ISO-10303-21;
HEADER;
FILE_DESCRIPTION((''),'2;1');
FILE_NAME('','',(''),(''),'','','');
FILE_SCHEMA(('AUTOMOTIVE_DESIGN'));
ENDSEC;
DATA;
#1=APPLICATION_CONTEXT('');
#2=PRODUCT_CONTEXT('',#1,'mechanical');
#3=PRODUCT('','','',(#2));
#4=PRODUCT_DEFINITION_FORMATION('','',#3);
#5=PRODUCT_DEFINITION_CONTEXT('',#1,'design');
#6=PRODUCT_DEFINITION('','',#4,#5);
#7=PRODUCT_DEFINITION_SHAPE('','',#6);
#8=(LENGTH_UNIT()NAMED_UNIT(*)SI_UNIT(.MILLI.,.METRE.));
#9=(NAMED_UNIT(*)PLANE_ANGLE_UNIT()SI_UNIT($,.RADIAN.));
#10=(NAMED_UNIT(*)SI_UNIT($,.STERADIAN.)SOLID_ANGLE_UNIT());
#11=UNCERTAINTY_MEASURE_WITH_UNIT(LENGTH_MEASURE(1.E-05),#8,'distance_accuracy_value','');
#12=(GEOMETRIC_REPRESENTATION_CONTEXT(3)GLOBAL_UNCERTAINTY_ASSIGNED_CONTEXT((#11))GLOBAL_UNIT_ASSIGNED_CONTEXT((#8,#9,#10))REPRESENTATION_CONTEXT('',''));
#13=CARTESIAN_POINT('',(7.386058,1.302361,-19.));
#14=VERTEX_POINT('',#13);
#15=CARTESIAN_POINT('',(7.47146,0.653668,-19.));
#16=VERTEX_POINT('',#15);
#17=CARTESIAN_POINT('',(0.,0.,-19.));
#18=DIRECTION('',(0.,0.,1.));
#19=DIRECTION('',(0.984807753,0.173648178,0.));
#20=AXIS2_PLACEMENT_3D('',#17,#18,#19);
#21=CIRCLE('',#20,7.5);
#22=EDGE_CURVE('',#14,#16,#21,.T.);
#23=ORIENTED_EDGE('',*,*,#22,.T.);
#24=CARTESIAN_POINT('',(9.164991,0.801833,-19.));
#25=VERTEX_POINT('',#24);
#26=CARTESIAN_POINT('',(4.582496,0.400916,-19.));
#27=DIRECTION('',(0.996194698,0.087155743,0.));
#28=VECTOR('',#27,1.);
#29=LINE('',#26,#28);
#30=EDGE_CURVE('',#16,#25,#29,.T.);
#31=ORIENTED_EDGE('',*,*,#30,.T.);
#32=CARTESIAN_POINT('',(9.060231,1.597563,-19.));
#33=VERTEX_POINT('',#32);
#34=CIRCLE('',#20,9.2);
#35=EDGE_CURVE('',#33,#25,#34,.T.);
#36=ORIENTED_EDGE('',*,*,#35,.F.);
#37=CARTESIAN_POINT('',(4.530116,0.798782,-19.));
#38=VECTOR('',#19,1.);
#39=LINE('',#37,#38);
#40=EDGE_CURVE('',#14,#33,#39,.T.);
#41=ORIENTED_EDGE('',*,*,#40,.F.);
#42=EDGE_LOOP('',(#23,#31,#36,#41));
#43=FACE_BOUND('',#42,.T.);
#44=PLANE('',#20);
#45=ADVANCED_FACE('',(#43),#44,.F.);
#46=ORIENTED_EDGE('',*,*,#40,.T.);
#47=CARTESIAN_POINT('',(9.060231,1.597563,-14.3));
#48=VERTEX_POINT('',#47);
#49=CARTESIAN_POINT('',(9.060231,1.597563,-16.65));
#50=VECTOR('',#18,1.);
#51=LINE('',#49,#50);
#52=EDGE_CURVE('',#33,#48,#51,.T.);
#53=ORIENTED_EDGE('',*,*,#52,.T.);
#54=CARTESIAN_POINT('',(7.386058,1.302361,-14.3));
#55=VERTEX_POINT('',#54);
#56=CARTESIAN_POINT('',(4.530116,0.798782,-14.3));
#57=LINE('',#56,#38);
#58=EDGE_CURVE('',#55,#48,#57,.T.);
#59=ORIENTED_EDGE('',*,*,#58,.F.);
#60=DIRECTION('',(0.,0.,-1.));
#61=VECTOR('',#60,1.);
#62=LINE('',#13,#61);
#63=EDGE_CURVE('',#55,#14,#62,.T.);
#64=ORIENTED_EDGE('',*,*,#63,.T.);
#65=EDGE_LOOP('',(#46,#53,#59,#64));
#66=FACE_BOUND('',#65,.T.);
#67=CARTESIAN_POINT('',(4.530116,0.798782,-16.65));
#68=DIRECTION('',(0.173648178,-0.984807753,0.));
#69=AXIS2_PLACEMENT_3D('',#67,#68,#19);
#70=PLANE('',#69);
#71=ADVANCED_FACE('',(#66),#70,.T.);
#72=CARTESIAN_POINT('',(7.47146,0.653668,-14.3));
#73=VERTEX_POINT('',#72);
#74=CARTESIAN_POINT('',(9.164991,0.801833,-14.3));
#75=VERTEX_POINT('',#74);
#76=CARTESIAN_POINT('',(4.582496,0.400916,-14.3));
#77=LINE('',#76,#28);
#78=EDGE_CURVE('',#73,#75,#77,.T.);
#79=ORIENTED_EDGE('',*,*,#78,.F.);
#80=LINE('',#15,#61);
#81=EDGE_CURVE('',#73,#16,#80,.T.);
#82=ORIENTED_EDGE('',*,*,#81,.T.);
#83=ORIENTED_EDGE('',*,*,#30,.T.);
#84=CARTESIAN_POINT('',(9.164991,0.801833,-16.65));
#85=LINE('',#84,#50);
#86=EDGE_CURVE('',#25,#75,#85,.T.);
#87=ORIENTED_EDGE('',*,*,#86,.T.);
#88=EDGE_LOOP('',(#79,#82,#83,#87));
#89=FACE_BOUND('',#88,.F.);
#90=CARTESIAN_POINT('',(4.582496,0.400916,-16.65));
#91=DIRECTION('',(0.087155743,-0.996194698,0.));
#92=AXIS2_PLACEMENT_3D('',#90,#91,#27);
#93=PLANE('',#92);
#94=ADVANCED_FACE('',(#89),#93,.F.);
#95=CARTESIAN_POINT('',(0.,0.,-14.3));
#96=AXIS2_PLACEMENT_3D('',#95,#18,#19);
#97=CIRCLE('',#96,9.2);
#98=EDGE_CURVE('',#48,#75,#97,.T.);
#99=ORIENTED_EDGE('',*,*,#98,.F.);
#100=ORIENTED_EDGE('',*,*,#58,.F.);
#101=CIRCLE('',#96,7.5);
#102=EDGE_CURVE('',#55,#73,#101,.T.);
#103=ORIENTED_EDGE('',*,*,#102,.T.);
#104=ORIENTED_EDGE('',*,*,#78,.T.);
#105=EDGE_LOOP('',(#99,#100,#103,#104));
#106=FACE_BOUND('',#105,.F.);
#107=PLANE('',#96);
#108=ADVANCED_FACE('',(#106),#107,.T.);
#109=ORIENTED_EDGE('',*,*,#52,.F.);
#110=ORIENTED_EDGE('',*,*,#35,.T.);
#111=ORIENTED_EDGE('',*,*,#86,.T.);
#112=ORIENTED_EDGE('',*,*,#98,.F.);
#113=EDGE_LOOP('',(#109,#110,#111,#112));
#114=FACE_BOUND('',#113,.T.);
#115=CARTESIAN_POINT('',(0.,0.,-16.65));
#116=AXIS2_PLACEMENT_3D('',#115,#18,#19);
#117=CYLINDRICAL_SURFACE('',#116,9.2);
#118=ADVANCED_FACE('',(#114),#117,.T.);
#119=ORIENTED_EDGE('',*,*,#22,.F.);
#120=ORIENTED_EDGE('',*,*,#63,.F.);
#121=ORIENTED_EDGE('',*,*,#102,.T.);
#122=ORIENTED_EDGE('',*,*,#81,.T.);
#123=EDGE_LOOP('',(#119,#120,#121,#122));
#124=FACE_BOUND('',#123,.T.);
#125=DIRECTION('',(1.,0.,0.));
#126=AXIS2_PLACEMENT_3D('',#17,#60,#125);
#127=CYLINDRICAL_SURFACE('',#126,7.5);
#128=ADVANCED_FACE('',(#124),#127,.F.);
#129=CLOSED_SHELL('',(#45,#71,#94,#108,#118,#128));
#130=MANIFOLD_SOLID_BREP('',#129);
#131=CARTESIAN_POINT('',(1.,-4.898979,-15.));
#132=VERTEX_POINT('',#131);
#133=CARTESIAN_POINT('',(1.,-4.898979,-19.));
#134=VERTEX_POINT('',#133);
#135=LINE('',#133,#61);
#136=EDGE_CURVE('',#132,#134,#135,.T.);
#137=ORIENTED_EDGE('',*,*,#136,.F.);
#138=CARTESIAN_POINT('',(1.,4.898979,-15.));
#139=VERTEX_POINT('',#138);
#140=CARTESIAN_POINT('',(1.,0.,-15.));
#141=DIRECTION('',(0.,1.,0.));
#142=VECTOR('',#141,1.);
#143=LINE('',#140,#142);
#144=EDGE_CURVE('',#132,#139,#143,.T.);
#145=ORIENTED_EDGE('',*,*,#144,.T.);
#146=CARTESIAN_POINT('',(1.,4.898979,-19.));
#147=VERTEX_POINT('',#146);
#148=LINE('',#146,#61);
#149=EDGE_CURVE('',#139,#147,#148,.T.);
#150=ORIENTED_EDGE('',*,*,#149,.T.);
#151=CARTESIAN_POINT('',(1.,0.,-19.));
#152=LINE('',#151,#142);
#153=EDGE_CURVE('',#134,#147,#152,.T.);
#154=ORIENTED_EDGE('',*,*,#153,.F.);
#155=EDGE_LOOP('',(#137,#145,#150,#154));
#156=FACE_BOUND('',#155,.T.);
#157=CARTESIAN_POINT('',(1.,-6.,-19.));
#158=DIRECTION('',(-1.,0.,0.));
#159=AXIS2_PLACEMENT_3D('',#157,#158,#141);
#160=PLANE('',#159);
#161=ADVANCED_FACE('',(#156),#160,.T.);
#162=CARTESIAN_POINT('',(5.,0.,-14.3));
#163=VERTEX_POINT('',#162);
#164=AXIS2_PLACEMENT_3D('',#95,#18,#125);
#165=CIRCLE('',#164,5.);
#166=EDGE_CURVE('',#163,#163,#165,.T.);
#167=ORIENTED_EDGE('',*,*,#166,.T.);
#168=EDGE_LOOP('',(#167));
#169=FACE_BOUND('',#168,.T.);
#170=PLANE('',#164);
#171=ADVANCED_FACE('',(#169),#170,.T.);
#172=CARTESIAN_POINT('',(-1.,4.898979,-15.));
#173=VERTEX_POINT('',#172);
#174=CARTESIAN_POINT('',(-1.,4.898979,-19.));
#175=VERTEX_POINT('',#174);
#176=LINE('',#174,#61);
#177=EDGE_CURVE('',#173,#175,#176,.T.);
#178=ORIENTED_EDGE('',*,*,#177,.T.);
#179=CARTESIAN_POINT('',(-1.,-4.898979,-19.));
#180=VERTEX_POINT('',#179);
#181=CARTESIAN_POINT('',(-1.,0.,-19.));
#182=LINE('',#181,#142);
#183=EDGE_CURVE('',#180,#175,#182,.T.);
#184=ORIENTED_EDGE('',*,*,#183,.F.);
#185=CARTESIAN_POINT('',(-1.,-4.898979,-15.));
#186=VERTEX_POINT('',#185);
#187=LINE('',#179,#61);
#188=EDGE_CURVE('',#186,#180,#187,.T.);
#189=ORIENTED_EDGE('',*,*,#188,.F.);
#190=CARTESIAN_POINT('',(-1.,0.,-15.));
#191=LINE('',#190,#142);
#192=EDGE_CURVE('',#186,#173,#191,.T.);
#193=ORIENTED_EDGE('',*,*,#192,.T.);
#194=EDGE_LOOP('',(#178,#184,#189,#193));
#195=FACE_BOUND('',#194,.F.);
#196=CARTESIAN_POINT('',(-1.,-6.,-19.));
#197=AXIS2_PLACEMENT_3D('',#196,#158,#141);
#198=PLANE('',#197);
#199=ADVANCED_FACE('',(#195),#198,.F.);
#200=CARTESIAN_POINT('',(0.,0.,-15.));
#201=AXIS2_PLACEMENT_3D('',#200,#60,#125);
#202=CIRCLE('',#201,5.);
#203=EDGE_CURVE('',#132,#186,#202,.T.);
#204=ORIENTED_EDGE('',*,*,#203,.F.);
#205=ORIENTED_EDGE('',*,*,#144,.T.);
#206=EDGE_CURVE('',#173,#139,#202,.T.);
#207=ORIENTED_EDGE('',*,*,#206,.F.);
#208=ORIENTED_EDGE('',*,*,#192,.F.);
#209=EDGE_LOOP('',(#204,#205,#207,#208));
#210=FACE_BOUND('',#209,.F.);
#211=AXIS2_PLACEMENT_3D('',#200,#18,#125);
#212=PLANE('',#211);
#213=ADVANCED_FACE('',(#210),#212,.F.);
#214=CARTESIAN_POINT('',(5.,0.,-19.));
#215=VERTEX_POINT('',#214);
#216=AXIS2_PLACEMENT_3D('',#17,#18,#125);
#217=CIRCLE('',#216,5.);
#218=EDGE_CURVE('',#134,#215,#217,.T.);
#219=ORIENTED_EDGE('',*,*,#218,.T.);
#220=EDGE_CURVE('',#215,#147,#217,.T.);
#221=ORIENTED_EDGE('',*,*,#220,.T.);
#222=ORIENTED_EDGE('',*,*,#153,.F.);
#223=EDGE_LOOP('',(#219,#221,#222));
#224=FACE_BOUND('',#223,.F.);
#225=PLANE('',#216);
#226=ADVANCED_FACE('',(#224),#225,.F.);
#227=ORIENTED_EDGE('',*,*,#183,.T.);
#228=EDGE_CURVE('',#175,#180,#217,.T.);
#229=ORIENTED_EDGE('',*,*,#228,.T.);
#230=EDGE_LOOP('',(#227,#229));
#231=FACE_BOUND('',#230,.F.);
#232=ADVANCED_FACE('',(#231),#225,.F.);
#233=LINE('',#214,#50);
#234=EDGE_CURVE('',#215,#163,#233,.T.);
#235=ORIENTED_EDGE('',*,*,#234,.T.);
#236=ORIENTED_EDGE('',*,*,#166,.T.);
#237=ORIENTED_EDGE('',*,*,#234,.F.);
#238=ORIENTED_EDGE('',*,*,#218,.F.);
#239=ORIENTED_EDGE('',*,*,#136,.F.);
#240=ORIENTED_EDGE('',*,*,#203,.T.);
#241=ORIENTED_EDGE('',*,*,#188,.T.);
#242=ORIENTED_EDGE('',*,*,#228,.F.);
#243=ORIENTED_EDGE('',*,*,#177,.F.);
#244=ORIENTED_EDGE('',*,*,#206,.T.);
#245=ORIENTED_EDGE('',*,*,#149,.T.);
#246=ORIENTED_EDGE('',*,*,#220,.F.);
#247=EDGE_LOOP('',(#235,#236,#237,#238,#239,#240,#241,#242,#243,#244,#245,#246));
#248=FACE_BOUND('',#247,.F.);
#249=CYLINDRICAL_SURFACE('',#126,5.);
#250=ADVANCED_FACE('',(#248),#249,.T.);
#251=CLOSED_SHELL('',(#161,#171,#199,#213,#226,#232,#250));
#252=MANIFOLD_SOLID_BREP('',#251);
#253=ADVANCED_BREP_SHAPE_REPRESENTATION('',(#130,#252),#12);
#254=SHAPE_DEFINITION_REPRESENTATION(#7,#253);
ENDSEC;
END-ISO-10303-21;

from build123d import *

# Parameters (mm, degrees)
BOX022_W                    = 2
BOX022_H                    = 12
BOX022_DEPTH                = 4
CYLINDER134_R               = 5
CYLINDER134_DEPTH           = 4.7
CYLINDER135_R               = 7.5
CYLINDER135_DEPTH           = 4.7
CYLINDER136_W               = 9.2
CYLINDER136_H               = 4.7
CYLINDER136_ANGLE           = 355
CYLINDER136_PLACEMENT_ANGLE = 10


with BuildPart() as cube022:
    # Box022 → Box022 (new body)
    with BuildSketch(Plane(origin=(-1, -6, -19), x_dir=(1, 0, 0), z_dir=(0, 0, 1))):
        with Locations((1, 6)):
            Rectangle(BOX022_W, BOX022_H)
    extrude(amount=BOX022_DEPTH)


with BuildPart() as hub_rear_cap_support:
    # Cylinder134 → Cylinder134 (new body)
    with BuildSketch(Plane.XY.offset(-19)):
        Circle(CYLINDER134_R)
    extrude(amount=CYLINDER134_DEPTH)


with BuildPart() as hub_rear_cap_support001:
    # Cylinder135 → Cylinder135 (new body)
    with BuildSketch(Plane.XY.offset(-19)):
        Circle(CYLINDER135_R)
    extrude(amount=CYLINDER135_DEPTH)


with BuildPart() as cut085:
    # Cylinder136 → Cylinder136 (revolve)
    with BuildSketch(Plane.XZ):
        with Locations((4.6, 2.35)):
            Rectangle(CYLINDER136_W, CYLINDER136_H)
    revolve(axis=Axis((0, 0, 0), (0, 0, 1)), revolution_arc=CYLINDER136_ANGLE)


with BuildPart() as cut085_1:
    # Cylinder136 placement: moved
    add(cut085.part.moved(Location((0, 0, -19))).rotate(Axis((0, 0, -19), (0, 0, 1)), CYLINDER136_PLACEMENT_ANGLE))

    # Cut084: cut hub-rear-cap-support001
    add(hub_rear_cap_support001.part, mode=Mode.SUBTRACT)

    # Fusion084: union hub-rear-cap-support_
    add(hub_rear_cap_support.part)

    # Cut085: cut Cube022
    add(cube022.part, mode=Mode.SUBTRACT)


solid = cut085_1.part
